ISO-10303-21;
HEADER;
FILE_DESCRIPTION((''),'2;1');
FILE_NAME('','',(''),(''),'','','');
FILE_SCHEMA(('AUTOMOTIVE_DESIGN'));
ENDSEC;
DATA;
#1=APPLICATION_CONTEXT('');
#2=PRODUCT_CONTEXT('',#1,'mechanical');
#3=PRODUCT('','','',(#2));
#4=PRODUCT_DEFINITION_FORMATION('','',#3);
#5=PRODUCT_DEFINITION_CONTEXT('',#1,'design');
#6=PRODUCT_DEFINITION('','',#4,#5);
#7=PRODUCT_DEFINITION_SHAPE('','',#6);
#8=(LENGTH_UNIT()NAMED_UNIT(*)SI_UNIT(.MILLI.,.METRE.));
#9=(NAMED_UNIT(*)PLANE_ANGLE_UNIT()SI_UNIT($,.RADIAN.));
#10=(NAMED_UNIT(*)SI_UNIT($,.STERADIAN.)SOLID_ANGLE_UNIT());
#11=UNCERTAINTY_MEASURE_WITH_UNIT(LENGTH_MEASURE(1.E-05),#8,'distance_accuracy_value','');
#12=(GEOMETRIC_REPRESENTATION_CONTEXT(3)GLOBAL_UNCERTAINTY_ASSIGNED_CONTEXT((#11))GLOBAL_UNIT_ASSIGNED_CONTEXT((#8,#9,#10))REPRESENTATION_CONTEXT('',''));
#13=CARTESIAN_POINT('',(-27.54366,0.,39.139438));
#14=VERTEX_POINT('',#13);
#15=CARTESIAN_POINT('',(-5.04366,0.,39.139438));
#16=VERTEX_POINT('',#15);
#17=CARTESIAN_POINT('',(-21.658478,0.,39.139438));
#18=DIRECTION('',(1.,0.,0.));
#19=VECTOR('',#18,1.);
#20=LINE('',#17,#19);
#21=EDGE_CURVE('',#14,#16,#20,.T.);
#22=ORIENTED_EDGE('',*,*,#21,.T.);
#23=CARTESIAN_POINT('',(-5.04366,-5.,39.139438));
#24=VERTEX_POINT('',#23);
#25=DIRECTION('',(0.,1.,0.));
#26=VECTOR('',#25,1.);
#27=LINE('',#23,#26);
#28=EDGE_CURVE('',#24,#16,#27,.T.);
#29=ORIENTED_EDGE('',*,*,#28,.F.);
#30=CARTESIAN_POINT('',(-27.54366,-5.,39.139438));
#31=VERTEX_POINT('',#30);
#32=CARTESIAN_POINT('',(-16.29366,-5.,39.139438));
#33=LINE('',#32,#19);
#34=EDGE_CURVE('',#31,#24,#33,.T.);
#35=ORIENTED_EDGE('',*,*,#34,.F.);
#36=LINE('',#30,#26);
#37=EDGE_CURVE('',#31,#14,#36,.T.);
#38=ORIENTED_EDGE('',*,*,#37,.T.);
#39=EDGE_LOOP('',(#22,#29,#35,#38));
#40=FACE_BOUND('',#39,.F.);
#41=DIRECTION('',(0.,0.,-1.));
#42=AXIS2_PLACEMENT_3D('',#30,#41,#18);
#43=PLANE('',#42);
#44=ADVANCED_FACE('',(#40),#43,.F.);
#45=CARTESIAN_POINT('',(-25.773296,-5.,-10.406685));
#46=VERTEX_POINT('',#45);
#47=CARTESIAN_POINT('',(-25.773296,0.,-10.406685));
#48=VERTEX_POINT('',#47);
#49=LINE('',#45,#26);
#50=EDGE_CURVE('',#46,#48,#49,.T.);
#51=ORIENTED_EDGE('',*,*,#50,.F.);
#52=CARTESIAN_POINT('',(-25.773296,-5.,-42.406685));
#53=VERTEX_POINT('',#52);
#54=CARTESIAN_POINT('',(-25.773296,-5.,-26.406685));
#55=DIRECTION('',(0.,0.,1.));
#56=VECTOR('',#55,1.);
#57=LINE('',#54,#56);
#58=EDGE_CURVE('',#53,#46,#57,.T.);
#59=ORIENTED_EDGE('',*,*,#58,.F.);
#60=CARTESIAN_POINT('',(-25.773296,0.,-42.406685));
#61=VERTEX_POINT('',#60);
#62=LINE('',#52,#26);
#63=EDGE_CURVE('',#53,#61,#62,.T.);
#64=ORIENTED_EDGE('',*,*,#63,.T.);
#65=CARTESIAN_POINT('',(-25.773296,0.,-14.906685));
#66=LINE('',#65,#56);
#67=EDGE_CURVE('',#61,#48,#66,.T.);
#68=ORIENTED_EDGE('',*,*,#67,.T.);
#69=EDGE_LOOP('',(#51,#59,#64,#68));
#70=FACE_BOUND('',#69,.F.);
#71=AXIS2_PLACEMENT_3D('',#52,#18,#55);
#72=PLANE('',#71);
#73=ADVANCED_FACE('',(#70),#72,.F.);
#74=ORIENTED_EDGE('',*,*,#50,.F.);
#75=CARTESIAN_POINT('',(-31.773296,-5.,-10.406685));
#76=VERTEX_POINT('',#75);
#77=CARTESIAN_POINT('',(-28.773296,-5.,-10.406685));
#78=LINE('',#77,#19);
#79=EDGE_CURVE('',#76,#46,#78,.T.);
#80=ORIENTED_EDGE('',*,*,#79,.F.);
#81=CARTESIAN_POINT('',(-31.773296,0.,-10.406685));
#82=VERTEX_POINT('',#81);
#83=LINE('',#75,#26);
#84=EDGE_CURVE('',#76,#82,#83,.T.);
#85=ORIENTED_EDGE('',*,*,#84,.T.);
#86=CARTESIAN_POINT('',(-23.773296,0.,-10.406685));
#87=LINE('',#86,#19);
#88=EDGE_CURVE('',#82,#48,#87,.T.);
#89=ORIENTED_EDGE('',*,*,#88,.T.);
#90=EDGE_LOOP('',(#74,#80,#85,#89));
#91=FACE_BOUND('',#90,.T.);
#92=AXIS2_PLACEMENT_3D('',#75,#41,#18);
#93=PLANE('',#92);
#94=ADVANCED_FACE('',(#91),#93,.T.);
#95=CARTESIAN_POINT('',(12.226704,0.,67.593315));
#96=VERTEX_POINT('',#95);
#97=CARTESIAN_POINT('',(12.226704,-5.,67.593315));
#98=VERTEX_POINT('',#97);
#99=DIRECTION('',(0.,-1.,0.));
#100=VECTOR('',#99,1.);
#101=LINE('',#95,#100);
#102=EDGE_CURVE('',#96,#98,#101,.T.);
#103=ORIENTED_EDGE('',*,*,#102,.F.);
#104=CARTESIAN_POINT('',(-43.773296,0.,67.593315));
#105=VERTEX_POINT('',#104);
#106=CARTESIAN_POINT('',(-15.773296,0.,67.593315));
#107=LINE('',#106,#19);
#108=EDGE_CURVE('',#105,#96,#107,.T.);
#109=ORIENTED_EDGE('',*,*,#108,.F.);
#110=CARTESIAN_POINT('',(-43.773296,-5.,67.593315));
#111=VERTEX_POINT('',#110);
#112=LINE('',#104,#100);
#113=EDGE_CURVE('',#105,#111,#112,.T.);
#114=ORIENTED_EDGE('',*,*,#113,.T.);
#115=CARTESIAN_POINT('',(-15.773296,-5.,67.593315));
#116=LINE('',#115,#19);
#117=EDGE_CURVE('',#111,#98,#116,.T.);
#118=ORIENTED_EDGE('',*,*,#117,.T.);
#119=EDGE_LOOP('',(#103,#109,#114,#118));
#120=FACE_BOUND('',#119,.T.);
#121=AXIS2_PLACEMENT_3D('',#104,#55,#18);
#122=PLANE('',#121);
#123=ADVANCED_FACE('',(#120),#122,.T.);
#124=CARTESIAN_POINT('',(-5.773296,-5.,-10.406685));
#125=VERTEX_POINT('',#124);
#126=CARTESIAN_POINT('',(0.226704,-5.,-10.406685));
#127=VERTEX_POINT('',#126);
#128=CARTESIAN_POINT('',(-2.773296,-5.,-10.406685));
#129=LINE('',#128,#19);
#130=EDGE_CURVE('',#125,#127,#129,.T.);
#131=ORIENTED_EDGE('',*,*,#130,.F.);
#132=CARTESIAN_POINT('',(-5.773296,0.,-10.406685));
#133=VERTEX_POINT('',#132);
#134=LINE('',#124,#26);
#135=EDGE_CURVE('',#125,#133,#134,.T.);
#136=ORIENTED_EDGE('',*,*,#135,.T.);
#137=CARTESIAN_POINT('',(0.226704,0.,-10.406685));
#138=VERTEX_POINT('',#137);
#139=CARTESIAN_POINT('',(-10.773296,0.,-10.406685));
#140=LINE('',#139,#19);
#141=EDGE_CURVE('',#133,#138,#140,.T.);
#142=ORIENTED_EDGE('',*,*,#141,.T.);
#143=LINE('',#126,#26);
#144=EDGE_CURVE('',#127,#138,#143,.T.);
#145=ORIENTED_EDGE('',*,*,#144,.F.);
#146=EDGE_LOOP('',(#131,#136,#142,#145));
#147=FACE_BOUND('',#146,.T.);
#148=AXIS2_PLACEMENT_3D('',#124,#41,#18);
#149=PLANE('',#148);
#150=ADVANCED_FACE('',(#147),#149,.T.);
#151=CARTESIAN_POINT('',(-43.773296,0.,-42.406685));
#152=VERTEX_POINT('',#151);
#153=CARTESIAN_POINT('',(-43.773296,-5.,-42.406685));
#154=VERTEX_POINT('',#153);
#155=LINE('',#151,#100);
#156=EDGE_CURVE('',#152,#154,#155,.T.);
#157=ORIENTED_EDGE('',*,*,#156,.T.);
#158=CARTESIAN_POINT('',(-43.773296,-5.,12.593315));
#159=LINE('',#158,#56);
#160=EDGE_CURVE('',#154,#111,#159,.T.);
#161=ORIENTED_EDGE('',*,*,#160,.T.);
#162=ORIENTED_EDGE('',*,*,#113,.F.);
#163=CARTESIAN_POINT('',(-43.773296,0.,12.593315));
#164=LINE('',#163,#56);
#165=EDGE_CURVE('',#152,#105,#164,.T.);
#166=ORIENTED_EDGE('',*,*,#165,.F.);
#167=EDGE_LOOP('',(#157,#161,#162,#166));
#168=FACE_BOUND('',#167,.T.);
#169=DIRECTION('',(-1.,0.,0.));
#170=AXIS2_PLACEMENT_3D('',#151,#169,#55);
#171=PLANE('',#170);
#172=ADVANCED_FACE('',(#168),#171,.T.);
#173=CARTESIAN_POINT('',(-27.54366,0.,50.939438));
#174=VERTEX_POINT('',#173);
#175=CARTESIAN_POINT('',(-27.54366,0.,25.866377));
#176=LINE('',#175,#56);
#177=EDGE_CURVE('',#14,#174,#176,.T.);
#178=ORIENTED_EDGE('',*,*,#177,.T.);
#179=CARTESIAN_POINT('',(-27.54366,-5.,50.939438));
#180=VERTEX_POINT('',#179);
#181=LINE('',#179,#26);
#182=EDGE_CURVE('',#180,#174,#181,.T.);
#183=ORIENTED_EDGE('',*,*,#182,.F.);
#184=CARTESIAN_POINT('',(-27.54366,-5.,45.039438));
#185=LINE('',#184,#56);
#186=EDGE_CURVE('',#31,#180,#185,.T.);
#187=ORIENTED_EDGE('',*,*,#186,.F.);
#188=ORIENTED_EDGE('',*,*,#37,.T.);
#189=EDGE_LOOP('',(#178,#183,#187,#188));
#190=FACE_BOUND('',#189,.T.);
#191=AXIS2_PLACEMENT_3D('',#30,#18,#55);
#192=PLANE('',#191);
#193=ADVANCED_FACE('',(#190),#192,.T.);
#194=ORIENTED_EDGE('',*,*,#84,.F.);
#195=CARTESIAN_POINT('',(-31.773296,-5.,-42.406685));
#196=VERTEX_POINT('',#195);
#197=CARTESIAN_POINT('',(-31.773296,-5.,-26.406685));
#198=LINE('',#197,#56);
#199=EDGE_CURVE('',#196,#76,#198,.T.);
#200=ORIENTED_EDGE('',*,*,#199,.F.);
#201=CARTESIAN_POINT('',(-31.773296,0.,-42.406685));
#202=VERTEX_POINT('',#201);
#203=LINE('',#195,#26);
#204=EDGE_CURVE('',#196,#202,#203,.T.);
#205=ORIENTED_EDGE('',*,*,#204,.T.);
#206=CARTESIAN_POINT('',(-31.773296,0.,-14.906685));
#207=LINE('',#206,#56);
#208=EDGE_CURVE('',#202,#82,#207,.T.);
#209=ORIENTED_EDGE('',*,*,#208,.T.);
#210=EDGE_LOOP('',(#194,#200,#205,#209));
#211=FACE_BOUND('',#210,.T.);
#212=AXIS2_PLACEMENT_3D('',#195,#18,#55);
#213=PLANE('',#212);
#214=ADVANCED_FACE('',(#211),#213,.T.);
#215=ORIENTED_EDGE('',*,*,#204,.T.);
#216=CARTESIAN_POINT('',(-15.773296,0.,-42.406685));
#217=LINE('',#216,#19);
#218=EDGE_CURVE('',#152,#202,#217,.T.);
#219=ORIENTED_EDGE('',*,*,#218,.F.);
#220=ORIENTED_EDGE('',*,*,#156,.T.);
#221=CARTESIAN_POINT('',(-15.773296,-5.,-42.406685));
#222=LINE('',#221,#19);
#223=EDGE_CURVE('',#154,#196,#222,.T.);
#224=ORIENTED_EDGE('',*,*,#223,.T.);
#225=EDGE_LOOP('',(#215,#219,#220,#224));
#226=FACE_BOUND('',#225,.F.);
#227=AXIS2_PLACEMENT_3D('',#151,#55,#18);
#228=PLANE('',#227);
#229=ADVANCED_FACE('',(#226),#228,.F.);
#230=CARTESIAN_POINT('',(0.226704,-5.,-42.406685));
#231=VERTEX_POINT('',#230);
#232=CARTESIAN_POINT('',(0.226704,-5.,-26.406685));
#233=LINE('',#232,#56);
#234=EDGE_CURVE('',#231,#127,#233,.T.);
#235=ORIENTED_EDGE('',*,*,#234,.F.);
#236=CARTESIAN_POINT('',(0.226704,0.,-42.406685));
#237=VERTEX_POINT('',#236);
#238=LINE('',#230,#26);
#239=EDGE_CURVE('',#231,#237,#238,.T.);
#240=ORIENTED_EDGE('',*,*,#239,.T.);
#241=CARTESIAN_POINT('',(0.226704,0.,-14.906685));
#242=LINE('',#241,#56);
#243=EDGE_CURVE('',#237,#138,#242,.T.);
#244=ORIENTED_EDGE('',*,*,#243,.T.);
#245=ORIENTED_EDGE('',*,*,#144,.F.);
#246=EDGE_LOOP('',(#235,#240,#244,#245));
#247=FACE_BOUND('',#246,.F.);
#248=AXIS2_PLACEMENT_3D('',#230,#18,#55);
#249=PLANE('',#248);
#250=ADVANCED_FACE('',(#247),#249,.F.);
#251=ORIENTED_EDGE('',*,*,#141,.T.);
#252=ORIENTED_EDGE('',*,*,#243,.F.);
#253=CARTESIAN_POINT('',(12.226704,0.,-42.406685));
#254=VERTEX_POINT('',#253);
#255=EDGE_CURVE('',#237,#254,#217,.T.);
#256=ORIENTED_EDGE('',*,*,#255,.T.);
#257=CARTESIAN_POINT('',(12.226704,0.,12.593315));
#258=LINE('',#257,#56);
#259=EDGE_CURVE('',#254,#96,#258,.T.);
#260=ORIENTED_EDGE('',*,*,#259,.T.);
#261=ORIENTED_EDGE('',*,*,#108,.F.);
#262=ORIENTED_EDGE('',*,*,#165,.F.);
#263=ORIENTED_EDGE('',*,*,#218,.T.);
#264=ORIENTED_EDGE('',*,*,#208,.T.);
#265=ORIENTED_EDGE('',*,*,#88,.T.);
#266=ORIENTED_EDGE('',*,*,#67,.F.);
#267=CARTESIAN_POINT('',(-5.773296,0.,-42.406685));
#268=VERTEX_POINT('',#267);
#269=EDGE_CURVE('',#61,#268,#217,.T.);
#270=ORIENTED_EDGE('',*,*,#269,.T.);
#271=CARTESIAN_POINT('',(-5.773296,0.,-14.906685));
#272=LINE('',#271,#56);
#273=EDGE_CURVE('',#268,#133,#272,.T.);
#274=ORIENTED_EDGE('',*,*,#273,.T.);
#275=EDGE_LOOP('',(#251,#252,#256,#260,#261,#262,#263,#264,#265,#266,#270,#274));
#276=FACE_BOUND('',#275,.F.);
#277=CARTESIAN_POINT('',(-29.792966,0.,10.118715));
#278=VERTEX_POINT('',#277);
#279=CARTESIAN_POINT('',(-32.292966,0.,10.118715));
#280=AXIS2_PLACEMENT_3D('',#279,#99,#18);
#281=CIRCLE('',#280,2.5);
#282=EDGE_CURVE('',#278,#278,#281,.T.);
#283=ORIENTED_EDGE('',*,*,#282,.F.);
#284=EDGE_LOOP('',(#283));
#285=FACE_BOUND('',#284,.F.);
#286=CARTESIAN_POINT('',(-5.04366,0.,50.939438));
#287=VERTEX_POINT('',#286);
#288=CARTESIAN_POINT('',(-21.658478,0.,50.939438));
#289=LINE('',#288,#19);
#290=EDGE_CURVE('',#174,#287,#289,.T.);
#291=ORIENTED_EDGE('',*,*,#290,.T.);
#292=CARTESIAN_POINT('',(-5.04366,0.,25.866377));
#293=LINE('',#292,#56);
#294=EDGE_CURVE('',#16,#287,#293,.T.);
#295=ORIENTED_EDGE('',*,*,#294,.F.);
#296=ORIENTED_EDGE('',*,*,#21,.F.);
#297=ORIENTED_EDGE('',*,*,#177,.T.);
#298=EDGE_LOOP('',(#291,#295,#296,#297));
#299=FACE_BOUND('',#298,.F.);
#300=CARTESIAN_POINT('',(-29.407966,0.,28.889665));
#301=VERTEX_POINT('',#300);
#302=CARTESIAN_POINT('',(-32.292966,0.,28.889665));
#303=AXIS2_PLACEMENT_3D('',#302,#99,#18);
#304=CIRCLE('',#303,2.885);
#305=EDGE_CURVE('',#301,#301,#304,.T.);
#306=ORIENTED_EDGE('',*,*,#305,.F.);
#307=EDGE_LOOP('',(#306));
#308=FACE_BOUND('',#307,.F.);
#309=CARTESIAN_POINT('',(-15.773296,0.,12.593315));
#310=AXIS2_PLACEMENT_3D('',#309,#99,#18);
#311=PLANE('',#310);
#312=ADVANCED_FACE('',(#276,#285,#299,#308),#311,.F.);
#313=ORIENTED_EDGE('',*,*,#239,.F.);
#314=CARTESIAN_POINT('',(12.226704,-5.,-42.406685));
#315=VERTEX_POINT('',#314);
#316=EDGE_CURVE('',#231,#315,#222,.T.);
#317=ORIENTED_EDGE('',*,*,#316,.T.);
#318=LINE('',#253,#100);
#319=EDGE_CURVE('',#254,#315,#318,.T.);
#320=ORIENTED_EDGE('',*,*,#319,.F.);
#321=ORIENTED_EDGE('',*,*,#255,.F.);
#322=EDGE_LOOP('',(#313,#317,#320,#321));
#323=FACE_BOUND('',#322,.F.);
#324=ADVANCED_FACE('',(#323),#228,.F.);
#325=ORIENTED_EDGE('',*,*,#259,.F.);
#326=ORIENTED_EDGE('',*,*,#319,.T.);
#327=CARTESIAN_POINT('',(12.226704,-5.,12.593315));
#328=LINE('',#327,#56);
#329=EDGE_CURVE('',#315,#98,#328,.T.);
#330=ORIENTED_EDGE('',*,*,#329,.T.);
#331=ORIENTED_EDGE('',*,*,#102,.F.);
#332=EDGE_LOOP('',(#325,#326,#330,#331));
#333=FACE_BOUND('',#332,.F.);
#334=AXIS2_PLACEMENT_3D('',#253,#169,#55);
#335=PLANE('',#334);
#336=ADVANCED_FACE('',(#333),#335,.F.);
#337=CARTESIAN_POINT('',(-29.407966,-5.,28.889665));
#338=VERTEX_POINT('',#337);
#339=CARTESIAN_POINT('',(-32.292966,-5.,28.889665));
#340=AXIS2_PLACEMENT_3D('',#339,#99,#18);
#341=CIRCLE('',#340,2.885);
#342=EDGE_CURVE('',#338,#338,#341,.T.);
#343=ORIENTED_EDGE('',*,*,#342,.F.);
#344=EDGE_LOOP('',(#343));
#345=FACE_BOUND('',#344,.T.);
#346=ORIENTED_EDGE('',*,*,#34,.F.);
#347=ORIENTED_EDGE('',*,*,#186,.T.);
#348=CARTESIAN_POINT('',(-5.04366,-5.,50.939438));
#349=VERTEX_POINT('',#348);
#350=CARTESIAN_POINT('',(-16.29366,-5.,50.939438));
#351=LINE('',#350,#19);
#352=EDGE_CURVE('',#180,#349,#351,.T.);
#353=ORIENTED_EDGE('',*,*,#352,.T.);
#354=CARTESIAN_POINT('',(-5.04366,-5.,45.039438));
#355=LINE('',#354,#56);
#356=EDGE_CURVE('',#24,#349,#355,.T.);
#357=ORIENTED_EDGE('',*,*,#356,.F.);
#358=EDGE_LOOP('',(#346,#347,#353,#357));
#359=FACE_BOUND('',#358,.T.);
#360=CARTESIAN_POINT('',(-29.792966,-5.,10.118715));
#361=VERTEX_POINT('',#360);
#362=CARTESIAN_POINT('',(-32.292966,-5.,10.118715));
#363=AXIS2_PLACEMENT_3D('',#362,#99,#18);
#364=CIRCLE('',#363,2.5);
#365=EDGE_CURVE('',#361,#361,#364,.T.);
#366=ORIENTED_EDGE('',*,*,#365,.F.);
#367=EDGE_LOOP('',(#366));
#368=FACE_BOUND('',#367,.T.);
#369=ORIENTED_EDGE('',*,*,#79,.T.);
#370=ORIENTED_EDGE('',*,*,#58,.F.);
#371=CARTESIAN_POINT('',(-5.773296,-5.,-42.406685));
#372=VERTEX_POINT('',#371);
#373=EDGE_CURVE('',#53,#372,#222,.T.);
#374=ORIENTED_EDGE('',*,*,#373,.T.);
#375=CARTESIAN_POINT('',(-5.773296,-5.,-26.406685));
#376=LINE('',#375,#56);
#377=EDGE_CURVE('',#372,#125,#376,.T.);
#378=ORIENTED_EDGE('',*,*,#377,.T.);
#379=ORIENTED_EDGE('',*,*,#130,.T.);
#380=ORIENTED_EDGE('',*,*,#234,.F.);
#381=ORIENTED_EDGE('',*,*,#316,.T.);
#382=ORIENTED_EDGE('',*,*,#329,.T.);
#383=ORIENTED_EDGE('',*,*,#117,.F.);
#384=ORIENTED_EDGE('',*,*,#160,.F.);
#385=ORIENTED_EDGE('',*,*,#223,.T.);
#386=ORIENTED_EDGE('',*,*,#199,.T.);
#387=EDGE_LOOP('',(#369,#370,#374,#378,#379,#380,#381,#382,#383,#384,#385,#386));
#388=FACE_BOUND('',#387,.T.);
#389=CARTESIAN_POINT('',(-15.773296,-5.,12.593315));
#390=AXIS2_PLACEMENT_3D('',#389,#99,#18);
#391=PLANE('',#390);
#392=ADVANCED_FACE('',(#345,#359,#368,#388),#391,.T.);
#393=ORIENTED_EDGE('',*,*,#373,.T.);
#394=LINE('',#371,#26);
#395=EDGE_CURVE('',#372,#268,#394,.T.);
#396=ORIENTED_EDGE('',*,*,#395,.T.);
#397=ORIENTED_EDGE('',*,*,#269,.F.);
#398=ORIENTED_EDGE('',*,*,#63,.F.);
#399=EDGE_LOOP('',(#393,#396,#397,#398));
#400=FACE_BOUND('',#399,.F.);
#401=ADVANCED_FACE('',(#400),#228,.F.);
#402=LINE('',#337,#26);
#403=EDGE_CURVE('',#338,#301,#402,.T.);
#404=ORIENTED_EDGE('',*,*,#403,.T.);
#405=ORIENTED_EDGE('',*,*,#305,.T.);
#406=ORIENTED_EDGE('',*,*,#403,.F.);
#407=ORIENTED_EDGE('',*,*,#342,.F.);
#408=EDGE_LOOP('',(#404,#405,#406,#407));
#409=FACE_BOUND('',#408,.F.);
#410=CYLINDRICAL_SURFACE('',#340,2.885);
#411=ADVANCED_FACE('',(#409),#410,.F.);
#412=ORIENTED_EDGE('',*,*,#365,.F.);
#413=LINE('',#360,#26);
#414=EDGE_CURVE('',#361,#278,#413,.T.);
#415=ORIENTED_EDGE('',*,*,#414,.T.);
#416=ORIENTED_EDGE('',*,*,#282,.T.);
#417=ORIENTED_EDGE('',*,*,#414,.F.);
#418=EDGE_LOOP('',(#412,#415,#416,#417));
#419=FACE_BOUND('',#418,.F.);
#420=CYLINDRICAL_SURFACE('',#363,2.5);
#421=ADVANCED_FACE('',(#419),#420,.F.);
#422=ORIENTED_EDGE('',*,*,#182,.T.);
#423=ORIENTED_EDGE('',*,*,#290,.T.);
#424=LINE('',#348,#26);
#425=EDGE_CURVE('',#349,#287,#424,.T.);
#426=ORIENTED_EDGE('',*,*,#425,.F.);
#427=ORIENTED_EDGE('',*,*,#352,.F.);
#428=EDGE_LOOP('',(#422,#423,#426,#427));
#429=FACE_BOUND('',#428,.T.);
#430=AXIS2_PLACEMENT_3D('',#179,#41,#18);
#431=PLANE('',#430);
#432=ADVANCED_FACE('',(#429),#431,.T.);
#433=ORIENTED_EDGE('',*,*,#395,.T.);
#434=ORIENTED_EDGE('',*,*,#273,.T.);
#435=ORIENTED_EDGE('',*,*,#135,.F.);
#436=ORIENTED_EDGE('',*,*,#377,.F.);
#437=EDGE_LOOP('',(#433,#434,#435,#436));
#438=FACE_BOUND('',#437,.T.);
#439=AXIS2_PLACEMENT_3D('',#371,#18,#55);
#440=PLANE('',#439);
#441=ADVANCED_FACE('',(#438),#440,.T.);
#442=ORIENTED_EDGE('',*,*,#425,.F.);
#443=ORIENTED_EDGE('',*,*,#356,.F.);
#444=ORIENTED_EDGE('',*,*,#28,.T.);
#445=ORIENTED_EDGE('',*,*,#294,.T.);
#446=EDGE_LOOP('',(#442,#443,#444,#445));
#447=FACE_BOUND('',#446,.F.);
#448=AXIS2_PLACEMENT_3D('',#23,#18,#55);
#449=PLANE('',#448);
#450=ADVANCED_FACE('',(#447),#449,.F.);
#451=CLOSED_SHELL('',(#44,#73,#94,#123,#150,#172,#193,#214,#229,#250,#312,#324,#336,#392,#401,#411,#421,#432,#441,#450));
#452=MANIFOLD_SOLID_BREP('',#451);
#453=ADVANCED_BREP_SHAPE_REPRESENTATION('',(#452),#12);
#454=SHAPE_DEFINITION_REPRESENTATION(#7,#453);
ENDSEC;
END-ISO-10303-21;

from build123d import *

# Parameters (mm, degrees)
F0_W     = 56
F0_H     = 110
F1_DEPTH = 5
F2_W     = 6
F2_H     = 32
F2_W_2   = 22.5
F2_H_2   = 11.8
F2_R     = 2.885
F2_R_2   = 2.5
F3_DEPTH = 25


with BuildPart() as f1:
    # F0 (on Front) → F1 (new body)
    with BuildSketch(Plane.XZ):
        with Locations((-15.773296, 12.593315)):
            Rectangle(F0_W, F0_H)
    extrude(amount=F1_DEPTH)

    # F2 (on face) → F3 (cut)
    with BuildSketch(Plane.XZ.offset(5)):
        with Locations((-2.773296, -26.406685)):
            Rectangle(F2_W, F2_H)
        with Locations((-28.773296, -26.406685)):
            Rectangle(F2_W, F2_H)
        with Locations((-16.29366, 45.039438)):
            Rectangle(F2_W_2, F2_H_2)
        with Locations((-32.292966, 28.889665)):
            Circle(F2_R)
        with Locations((-32.292966, 10.118715)):
            Circle(F2_R_2)
    extrude(amount=-F3_DEPTH, mode=Mode.SUBTRACT)


solid = f1.part
